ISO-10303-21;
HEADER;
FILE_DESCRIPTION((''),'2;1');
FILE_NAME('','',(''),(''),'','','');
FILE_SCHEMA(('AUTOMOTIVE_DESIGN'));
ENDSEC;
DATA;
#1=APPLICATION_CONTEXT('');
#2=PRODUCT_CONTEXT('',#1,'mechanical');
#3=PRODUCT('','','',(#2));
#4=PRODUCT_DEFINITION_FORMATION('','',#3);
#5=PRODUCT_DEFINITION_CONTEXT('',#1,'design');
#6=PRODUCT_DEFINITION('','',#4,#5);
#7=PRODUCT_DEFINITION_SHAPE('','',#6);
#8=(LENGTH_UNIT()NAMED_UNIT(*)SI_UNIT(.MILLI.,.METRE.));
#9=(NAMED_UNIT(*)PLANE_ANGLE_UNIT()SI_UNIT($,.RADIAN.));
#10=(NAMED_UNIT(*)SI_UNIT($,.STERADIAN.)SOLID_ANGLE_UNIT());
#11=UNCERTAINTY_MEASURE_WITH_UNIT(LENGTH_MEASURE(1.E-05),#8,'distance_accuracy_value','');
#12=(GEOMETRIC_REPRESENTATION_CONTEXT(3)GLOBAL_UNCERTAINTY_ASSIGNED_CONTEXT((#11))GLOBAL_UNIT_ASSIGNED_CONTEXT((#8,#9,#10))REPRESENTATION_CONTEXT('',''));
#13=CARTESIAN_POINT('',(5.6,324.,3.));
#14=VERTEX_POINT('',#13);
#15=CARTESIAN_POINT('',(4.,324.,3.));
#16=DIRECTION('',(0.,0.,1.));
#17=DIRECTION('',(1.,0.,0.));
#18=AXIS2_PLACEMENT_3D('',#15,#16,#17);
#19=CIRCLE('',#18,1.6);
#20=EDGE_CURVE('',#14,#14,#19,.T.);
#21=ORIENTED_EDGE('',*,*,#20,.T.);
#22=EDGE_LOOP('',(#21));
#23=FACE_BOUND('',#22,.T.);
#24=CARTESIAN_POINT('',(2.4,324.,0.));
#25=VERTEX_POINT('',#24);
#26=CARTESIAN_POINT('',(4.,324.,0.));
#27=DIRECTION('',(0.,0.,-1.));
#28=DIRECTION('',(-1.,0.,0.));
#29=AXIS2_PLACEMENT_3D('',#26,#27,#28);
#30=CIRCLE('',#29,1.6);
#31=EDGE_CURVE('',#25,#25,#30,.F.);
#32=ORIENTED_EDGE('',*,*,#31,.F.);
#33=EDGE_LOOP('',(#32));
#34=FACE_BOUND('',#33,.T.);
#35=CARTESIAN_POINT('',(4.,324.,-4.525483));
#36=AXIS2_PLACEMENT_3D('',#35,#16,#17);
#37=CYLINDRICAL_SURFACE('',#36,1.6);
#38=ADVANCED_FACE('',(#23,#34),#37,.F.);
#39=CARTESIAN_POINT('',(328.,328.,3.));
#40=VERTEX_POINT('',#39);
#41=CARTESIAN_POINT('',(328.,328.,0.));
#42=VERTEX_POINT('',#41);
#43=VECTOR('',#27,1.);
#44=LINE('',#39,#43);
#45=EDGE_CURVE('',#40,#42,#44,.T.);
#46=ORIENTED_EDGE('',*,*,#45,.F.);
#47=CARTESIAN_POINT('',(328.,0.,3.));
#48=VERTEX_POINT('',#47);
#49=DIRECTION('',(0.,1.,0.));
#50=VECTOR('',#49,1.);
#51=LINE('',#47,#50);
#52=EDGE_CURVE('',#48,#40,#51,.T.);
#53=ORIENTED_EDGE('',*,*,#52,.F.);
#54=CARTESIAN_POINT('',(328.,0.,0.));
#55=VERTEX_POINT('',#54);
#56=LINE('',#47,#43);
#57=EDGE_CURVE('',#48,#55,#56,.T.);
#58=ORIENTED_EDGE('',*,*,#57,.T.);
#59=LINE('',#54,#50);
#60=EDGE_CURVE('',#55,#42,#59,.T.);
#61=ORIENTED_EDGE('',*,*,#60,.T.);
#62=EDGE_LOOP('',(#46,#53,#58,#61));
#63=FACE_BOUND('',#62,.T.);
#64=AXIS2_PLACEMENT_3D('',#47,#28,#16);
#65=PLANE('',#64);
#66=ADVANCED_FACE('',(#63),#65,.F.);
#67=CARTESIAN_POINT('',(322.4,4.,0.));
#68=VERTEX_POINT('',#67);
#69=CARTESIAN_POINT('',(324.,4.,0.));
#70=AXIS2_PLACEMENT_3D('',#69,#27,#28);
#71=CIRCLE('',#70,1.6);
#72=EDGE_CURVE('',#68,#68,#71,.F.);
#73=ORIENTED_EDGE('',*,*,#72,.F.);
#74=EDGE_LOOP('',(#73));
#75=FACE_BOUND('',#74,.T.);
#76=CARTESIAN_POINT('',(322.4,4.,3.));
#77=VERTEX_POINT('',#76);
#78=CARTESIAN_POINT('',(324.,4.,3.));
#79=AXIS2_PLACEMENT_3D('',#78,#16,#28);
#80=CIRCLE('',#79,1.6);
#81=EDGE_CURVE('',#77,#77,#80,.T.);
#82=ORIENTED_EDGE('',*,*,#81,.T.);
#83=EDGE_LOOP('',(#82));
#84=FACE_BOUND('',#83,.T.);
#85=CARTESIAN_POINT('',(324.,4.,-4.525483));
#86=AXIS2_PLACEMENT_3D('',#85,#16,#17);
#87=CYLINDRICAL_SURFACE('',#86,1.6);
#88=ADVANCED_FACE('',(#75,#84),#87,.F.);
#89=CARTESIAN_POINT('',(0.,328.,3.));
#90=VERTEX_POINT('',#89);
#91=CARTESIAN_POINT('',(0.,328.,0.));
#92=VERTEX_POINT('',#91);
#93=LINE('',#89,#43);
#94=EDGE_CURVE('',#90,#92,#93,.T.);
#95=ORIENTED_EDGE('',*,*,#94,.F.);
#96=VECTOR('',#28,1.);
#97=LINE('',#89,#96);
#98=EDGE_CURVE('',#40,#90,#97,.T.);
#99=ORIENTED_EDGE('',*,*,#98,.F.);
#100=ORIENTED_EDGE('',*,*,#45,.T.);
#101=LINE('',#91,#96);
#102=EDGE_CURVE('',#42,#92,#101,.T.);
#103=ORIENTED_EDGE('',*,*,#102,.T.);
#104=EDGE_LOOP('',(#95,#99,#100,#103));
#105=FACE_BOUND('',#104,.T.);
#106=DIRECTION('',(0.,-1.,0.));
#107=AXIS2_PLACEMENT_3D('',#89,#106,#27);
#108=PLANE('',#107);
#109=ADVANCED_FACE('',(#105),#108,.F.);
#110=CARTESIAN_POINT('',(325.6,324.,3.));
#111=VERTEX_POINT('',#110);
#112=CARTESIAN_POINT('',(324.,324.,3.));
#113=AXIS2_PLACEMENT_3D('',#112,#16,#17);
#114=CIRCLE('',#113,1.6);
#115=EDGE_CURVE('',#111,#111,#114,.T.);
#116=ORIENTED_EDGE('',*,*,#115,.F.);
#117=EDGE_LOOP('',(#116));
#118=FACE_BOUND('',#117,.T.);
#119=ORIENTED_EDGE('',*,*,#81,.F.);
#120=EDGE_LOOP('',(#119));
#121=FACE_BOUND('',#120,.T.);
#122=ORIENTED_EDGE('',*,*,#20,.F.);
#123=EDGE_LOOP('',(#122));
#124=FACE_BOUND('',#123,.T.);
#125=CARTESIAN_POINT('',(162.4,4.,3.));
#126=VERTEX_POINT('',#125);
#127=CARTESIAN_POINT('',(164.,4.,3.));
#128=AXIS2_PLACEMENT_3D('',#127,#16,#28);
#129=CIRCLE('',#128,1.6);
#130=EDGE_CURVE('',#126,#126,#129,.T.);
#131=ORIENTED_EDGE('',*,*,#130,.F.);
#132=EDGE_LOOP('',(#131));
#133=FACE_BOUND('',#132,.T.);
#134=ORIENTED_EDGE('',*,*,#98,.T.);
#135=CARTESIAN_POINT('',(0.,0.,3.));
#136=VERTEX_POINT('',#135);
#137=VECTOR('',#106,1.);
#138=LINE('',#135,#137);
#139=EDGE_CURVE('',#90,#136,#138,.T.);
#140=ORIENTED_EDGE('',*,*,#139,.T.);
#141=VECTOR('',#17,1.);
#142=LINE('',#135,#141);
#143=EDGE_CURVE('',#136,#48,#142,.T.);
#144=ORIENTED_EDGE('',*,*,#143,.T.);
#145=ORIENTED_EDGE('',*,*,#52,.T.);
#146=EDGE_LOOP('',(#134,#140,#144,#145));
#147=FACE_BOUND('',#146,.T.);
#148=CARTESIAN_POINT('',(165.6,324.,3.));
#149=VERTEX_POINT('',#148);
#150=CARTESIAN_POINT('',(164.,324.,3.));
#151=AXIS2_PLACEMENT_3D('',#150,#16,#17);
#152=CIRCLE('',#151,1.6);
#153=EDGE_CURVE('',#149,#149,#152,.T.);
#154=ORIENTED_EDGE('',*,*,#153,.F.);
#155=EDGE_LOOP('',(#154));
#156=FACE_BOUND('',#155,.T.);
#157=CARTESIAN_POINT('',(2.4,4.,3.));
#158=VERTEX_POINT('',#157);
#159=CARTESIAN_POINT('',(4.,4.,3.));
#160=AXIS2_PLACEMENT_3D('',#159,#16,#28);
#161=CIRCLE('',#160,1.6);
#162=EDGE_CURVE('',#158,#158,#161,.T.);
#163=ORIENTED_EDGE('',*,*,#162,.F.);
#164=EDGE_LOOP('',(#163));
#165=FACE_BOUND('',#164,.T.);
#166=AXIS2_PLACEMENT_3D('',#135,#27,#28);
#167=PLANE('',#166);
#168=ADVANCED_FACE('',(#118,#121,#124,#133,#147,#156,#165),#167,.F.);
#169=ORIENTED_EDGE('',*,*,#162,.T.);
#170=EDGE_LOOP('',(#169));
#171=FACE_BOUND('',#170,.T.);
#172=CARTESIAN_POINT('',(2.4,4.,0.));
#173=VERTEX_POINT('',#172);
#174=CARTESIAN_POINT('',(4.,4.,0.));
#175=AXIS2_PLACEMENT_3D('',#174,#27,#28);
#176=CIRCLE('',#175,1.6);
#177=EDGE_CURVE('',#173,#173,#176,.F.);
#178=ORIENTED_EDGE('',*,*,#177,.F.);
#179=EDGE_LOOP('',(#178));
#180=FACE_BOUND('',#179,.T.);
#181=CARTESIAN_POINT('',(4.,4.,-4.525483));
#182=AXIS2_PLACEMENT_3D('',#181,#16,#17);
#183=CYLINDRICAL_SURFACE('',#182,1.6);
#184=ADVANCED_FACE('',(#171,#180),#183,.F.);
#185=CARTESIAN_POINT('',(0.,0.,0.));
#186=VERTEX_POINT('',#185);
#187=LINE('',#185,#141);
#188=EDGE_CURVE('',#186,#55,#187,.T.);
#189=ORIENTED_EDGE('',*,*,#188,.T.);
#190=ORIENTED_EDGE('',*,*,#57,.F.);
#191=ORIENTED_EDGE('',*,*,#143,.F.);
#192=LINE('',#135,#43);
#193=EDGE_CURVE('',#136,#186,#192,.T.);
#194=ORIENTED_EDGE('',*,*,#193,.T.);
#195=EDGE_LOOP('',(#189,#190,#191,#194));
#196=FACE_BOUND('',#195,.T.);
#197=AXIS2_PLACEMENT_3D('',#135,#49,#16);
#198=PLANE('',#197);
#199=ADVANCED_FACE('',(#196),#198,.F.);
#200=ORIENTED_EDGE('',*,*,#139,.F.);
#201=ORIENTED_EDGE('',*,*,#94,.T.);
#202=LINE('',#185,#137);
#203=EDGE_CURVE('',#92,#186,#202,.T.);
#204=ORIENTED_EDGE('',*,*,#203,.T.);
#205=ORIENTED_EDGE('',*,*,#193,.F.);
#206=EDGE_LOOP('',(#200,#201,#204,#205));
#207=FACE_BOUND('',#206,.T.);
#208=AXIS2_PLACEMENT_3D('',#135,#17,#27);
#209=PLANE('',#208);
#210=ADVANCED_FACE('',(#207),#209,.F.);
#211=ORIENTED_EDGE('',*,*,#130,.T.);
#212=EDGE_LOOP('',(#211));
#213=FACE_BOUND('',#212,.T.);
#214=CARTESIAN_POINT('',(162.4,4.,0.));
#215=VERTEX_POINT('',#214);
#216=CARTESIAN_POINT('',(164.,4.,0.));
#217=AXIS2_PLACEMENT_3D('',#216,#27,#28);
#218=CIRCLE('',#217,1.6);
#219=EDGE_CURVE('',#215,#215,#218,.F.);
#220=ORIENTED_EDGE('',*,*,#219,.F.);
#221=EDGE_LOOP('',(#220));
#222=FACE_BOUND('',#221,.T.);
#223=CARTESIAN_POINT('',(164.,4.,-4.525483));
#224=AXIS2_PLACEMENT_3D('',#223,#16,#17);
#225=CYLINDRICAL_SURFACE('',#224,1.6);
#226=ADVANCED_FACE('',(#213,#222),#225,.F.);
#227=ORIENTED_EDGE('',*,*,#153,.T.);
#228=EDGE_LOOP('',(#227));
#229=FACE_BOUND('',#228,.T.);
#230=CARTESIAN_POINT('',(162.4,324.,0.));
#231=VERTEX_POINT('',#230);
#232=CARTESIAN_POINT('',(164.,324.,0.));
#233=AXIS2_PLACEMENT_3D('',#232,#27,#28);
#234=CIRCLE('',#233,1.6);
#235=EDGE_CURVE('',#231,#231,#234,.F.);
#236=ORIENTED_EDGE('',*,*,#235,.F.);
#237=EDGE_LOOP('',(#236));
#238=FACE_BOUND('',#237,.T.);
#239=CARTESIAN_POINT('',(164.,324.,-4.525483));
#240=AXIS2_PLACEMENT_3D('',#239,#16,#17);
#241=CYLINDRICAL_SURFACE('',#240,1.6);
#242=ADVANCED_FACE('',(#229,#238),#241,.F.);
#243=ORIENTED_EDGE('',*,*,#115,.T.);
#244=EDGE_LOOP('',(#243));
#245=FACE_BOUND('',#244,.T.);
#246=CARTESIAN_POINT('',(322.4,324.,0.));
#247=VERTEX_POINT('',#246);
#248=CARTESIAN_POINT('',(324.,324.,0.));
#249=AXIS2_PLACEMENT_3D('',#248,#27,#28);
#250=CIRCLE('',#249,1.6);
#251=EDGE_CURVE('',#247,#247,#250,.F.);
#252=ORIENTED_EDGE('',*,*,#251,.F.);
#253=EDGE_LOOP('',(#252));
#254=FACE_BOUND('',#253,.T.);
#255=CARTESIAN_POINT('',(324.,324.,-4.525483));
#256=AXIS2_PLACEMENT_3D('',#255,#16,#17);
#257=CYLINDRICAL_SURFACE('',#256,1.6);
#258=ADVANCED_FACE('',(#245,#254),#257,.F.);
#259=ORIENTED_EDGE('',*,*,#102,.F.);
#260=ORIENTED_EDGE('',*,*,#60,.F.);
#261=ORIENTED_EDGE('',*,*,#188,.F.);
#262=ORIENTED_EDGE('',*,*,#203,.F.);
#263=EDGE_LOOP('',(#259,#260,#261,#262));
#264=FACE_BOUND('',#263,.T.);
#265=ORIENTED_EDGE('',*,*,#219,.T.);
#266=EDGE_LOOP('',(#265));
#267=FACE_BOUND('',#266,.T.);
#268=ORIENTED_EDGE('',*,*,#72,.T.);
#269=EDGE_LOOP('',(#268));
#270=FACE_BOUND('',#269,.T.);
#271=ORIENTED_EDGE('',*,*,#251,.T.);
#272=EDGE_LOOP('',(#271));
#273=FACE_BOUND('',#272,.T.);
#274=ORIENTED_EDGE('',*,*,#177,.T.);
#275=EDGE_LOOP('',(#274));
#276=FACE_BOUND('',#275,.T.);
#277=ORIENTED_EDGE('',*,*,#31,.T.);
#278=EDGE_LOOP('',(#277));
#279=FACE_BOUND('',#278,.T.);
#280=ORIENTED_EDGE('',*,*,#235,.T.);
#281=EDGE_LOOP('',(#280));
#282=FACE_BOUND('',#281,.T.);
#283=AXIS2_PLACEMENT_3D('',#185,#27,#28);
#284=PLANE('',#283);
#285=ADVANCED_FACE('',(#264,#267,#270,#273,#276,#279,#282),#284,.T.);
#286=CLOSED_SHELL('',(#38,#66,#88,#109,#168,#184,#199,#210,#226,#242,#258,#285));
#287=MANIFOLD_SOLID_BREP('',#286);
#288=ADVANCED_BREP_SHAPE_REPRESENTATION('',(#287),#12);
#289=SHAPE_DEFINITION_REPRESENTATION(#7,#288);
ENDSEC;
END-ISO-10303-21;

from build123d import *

# Parameters (mm, degrees)
CROQUIS1_W              = 328
CROQUIS1_H              = 328
SALIENTE_EXTRUIR1_DEPTH = 3
CROQUIS2_R              = 1.6
CORTAR_EXTRUIR1_DEPTH   = 3


with BuildPart() as part:
    # Croquis1 → Saliente-Extruir1 (new body)
    with BuildSketch(Plane.XY):
        with Locations((164, 164)):
            Rectangle(CROQUIS1_W, CROQUIS1_H)
    extrude(amount=SALIENTE_EXTRUIR1_DEPTH)

    # Croquis2 → Cortar-Extruir1 (cut)
    with BuildSketch(Plane.XY.offset(3)):
        with Locations((4, 324)):
            Circle(CROQUIS2_R)
        with Locations((164, 324)):
            Circle(CROQUIS2_R)
        with Locations((324, 324)):
            Circle(CROQUIS2_R)
        with Locations((324, 4)):
            Circle(CROQUIS2_R)
        with Locations((164, 4)):
            Circle(CROQUIS2_R)
        with Locations((4, 4)):
            Circle(CROQUIS2_R)
    extrude(amount=-CORTAR_EXTRUIR1_DEPTH, mode=Mode.SUBTRACT)


solid = part.part
